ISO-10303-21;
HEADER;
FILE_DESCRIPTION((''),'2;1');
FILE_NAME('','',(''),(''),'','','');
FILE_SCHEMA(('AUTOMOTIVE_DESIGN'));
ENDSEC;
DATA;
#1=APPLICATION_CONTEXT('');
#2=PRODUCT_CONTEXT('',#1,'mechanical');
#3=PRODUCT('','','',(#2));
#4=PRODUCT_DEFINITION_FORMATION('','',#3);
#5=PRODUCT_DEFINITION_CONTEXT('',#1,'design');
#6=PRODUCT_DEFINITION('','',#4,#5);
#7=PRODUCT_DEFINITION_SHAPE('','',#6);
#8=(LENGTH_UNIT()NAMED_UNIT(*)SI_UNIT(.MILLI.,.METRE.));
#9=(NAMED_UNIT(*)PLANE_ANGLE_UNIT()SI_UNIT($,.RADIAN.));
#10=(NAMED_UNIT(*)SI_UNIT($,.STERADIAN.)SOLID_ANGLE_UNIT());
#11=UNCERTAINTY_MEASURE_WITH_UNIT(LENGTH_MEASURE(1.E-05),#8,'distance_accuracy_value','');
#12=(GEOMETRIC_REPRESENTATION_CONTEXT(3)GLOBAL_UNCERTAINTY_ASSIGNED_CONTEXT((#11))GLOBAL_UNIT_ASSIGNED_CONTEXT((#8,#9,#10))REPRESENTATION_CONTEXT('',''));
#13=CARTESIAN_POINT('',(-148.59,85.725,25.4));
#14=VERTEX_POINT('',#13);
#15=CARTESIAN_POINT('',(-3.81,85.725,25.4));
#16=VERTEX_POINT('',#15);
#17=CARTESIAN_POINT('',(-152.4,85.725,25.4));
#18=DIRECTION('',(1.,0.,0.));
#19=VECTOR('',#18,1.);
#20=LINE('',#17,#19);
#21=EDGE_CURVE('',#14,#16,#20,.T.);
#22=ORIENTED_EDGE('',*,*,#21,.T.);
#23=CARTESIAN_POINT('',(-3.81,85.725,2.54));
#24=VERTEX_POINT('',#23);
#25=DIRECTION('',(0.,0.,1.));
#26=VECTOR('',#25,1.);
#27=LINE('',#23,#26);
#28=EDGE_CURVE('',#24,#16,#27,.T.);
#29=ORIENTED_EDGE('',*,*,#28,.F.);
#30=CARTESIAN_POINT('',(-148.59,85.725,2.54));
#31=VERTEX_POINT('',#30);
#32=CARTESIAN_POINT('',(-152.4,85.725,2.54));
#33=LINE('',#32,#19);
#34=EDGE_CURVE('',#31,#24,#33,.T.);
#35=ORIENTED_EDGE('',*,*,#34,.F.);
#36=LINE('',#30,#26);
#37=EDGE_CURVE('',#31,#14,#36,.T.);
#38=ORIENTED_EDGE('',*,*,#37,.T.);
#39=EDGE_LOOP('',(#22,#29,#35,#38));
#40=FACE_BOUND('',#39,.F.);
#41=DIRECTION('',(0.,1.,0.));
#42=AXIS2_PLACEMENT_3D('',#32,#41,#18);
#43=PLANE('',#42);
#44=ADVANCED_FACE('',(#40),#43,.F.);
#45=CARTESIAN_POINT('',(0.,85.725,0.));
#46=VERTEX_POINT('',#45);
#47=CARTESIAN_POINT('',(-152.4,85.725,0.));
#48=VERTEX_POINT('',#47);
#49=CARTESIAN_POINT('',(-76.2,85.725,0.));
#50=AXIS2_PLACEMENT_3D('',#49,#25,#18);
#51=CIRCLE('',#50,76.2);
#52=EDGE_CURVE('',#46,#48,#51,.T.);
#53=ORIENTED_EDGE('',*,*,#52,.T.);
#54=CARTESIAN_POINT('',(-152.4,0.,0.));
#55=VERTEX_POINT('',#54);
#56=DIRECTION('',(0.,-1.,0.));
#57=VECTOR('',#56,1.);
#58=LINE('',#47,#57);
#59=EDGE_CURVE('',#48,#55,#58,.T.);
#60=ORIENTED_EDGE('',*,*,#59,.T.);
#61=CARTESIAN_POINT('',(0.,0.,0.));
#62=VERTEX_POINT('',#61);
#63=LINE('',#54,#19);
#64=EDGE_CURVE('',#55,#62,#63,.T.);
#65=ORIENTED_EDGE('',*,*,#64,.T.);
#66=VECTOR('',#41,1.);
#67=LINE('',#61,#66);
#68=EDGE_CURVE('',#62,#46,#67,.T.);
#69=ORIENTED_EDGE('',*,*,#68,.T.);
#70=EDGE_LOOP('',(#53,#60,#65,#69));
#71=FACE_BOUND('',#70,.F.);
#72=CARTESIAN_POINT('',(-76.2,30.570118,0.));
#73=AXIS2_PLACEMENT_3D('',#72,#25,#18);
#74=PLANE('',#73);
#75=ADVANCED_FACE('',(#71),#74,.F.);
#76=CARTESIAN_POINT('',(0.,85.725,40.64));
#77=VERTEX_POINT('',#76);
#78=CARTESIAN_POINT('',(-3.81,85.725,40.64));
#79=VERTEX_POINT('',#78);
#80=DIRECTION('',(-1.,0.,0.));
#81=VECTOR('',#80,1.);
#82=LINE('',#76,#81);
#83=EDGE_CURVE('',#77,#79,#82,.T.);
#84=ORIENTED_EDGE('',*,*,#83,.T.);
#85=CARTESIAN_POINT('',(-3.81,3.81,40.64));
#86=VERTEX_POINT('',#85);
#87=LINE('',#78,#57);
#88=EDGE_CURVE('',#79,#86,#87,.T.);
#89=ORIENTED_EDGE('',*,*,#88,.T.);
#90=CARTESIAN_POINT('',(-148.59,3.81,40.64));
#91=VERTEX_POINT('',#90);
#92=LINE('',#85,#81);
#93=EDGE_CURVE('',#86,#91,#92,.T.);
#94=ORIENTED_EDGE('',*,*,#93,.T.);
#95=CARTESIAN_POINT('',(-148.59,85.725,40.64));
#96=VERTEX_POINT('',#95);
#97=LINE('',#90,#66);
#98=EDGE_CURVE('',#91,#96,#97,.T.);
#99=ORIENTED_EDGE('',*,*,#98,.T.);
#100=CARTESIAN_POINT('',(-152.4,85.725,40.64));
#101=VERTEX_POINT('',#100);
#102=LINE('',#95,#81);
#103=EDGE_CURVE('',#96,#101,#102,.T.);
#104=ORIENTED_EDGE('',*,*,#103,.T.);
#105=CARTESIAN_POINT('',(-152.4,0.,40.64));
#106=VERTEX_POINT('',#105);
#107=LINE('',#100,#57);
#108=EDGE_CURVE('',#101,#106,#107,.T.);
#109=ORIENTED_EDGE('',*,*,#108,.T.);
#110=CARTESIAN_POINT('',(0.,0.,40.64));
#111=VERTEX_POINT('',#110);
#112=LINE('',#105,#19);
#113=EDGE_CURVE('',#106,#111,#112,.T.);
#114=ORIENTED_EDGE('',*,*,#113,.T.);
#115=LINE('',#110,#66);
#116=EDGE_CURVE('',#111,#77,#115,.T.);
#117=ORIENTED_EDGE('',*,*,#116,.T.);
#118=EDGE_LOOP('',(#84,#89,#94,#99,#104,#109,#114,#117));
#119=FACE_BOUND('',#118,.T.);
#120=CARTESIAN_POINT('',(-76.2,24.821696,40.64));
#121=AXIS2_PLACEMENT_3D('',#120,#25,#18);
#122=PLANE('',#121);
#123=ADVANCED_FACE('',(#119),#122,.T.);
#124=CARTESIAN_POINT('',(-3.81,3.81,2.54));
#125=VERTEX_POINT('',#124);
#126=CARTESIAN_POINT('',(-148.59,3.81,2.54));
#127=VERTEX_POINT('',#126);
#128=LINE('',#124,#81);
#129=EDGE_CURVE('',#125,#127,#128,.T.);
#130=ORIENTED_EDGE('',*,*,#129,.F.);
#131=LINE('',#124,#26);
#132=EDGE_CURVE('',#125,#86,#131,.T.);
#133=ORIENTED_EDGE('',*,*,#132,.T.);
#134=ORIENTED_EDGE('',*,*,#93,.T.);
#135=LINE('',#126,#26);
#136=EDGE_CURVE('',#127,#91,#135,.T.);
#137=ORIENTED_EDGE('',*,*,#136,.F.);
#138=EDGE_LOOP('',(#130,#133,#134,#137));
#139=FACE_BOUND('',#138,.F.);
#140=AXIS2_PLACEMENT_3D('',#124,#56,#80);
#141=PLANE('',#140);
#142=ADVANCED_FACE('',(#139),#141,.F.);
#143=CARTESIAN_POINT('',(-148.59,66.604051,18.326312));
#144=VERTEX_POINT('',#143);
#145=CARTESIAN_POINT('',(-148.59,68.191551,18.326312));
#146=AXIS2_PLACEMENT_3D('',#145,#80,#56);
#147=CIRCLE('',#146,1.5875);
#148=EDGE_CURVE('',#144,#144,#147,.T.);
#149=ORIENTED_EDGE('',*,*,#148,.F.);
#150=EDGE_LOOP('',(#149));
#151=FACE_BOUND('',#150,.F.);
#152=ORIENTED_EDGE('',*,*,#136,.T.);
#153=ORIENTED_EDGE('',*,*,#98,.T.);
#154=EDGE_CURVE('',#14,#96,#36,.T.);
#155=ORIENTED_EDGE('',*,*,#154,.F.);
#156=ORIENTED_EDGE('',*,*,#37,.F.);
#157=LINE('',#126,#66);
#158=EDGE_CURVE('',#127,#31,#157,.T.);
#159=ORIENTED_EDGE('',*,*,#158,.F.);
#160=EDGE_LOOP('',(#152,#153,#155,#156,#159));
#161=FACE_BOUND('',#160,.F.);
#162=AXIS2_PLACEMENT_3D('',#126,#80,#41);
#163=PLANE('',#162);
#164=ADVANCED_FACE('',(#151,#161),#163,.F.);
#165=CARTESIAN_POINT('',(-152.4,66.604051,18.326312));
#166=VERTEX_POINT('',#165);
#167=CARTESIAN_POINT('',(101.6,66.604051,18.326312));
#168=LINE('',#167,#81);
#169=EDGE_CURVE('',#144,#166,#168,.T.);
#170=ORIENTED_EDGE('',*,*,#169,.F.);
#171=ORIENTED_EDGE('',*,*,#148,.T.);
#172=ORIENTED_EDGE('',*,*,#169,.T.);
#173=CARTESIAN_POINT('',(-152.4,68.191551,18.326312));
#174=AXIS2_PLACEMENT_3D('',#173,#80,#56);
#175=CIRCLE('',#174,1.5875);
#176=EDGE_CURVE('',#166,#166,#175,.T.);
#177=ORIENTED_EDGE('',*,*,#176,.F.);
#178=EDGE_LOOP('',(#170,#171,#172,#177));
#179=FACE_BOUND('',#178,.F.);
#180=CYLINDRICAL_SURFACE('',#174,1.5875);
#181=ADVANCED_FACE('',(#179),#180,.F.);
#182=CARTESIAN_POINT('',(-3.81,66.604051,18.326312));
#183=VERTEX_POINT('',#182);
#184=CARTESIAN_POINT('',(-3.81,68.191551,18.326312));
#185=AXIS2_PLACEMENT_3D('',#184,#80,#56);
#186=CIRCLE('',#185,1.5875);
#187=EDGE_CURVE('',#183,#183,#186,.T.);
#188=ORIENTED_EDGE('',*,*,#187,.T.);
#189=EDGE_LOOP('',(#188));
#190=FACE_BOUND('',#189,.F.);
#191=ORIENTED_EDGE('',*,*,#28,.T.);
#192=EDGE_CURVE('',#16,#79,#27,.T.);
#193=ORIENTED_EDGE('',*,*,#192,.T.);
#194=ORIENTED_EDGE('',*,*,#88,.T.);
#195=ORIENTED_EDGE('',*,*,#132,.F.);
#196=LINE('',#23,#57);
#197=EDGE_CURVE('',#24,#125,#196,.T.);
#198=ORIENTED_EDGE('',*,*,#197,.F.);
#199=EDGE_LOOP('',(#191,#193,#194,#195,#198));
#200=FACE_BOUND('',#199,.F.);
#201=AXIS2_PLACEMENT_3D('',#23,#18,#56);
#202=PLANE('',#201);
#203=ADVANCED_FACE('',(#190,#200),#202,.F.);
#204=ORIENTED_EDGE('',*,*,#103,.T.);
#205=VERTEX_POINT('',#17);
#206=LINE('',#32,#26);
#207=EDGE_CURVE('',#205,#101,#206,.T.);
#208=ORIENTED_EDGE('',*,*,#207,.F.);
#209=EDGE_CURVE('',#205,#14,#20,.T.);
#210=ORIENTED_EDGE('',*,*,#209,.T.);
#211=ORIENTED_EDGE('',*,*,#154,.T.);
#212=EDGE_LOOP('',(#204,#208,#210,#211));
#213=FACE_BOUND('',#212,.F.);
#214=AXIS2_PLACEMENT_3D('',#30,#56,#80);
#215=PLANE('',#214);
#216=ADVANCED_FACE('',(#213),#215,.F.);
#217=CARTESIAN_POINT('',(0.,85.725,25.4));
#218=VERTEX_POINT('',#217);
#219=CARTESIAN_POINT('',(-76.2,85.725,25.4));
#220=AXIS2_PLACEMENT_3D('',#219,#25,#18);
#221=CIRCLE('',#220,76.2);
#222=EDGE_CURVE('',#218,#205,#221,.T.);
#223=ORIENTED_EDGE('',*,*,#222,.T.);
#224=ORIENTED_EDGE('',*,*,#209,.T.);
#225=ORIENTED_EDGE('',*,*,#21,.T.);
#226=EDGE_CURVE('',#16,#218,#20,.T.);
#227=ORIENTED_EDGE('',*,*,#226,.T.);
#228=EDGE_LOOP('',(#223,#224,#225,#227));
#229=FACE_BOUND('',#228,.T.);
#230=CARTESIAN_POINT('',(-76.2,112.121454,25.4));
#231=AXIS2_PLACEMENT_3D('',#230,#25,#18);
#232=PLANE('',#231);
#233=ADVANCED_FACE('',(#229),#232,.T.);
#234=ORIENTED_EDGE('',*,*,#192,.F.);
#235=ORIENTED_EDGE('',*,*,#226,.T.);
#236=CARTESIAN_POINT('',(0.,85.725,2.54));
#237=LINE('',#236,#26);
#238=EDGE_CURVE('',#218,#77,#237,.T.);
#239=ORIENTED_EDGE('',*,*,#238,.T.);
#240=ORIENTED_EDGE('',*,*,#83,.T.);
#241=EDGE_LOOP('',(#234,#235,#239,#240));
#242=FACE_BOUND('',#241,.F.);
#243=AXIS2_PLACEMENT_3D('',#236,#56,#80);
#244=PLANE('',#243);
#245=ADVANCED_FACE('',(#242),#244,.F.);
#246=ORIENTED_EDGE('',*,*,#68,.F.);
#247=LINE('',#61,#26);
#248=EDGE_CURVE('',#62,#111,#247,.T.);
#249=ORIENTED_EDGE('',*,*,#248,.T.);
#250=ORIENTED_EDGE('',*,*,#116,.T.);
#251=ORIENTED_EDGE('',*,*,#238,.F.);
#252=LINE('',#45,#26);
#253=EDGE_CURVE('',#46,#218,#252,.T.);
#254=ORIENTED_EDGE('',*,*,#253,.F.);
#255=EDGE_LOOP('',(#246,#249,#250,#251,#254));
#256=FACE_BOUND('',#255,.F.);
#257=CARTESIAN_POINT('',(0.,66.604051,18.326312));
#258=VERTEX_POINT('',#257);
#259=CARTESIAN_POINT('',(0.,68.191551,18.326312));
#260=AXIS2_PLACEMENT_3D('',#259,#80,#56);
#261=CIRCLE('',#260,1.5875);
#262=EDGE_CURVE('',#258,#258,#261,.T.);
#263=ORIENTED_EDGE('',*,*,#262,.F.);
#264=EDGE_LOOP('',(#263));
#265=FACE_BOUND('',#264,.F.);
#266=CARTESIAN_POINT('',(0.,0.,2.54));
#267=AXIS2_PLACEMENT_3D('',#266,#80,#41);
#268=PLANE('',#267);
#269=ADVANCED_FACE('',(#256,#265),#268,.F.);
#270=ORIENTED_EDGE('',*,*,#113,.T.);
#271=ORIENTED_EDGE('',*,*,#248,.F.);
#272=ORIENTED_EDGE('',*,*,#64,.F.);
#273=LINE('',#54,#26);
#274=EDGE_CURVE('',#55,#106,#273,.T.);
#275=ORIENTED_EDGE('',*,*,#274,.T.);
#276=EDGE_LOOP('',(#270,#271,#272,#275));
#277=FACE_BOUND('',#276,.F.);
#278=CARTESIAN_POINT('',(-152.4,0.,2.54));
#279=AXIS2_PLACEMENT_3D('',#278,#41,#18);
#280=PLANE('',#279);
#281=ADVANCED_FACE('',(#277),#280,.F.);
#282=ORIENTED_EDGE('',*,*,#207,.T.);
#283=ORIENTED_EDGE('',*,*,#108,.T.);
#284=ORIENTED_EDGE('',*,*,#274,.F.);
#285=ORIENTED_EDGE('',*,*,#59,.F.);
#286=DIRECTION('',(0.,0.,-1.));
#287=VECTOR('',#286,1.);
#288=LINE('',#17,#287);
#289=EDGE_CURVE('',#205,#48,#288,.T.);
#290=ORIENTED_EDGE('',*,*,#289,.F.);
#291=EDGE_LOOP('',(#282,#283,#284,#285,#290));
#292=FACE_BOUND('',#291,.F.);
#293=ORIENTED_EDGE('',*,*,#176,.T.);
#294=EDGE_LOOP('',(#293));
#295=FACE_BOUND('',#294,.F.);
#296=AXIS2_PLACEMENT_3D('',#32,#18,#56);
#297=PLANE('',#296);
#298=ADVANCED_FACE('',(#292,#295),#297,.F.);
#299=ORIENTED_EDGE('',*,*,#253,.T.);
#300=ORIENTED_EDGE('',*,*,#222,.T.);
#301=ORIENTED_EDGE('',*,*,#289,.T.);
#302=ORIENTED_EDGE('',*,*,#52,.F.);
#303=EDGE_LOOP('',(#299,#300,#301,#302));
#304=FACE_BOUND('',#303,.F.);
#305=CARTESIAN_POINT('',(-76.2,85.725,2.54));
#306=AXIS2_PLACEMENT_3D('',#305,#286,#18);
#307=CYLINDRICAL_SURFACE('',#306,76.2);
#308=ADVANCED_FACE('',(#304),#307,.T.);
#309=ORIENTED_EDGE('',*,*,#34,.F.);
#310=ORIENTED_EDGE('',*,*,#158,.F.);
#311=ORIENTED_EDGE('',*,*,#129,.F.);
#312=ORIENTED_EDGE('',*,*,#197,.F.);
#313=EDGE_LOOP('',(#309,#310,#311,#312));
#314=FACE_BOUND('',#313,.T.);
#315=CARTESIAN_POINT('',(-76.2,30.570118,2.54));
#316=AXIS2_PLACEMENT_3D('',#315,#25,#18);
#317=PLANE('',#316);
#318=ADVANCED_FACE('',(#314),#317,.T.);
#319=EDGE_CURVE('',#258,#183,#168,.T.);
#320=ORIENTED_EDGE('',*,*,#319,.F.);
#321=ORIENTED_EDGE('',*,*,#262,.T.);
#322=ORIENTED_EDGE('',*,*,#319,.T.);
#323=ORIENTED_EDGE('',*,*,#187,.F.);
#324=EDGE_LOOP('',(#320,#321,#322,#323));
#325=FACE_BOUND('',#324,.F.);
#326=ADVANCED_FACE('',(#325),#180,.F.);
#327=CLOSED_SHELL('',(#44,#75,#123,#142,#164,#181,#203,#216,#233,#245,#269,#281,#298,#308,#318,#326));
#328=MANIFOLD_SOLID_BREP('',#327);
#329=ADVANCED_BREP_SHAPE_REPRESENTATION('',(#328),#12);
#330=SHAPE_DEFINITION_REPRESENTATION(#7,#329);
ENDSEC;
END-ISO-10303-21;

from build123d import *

# Parameters (mm, degrees)
F1_DEPTH = 2.54
F3_DEPTH = 22.86
F5_DEPTH = 38.1
F6_R     = 1.5875
F7_DEPTH = 254


with BuildPart() as f1:
    # F0 (on Top) → F1 (new body)
    with BuildSketch(Plane.XY):
        with BuildLine():
            Line((-152.4, 0), (0, 0))
            Line((0, 0), (0, 85.725))
            ThreePointArc((0, 85.725), (-76.2, 9.525), (-152.4, 85.725))
            Line((-152.4, 85.725), (-152.4, 0))
        make_face()
        with BuildLine():
            ThreePointArc((-152.4, 85.725), (-76.2, 9.525), (0, 85.725))
            Line((0, 85.725), (-152.4, 85.725))
        make_face()
        with BuildLine():
            Line((-152.4, 85.725), (0, 85.725))
            ThreePointArc((0, 85.725), (-76.2, 161.925), (-152.4, 85.725))
        make_face()
    extrude(amount=F1_DEPTH)

    # F2 (on face) → F3 (join)
    with BuildSketch(Plane.XY.offset(2.54)):
        with BuildLine():
            Line((-152.4, 85.725), (0, 85.725))
            ThreePointArc((0, 85.725), (-76.2, 161.925), (-152.4, 85.725))
        make_face()
    extrude(amount=F3_DEPTH)

    # F4 (on face) → F5 (join)
    with BuildSketch(Plane.XY.offset(2.54)):
        Polygon((-3.81, 3.81), (-148.59, 3.81), (-148.59, 85.725), (-152.4, 85.725), (-152.4, 0), (0, 0), (0, 85.725), (-3.81, 85.725), align=None)
    extrude(amount=F5_DEPTH)

    # F6 (on face) → F7 (cut, symmetric)
    with BuildSketch(Plane(origin=(-152.4, 0, 0), x_dir=(0, -1, 0), z_dir=(-1, 0, 0))):
        with Locations((-68.1915506721, 18.3263123035)):
            Circle(F6_R)
    extrude(amount=F7_DEPTH, both=True, mode=Mode.SUBTRACT)


solid = f1.part
